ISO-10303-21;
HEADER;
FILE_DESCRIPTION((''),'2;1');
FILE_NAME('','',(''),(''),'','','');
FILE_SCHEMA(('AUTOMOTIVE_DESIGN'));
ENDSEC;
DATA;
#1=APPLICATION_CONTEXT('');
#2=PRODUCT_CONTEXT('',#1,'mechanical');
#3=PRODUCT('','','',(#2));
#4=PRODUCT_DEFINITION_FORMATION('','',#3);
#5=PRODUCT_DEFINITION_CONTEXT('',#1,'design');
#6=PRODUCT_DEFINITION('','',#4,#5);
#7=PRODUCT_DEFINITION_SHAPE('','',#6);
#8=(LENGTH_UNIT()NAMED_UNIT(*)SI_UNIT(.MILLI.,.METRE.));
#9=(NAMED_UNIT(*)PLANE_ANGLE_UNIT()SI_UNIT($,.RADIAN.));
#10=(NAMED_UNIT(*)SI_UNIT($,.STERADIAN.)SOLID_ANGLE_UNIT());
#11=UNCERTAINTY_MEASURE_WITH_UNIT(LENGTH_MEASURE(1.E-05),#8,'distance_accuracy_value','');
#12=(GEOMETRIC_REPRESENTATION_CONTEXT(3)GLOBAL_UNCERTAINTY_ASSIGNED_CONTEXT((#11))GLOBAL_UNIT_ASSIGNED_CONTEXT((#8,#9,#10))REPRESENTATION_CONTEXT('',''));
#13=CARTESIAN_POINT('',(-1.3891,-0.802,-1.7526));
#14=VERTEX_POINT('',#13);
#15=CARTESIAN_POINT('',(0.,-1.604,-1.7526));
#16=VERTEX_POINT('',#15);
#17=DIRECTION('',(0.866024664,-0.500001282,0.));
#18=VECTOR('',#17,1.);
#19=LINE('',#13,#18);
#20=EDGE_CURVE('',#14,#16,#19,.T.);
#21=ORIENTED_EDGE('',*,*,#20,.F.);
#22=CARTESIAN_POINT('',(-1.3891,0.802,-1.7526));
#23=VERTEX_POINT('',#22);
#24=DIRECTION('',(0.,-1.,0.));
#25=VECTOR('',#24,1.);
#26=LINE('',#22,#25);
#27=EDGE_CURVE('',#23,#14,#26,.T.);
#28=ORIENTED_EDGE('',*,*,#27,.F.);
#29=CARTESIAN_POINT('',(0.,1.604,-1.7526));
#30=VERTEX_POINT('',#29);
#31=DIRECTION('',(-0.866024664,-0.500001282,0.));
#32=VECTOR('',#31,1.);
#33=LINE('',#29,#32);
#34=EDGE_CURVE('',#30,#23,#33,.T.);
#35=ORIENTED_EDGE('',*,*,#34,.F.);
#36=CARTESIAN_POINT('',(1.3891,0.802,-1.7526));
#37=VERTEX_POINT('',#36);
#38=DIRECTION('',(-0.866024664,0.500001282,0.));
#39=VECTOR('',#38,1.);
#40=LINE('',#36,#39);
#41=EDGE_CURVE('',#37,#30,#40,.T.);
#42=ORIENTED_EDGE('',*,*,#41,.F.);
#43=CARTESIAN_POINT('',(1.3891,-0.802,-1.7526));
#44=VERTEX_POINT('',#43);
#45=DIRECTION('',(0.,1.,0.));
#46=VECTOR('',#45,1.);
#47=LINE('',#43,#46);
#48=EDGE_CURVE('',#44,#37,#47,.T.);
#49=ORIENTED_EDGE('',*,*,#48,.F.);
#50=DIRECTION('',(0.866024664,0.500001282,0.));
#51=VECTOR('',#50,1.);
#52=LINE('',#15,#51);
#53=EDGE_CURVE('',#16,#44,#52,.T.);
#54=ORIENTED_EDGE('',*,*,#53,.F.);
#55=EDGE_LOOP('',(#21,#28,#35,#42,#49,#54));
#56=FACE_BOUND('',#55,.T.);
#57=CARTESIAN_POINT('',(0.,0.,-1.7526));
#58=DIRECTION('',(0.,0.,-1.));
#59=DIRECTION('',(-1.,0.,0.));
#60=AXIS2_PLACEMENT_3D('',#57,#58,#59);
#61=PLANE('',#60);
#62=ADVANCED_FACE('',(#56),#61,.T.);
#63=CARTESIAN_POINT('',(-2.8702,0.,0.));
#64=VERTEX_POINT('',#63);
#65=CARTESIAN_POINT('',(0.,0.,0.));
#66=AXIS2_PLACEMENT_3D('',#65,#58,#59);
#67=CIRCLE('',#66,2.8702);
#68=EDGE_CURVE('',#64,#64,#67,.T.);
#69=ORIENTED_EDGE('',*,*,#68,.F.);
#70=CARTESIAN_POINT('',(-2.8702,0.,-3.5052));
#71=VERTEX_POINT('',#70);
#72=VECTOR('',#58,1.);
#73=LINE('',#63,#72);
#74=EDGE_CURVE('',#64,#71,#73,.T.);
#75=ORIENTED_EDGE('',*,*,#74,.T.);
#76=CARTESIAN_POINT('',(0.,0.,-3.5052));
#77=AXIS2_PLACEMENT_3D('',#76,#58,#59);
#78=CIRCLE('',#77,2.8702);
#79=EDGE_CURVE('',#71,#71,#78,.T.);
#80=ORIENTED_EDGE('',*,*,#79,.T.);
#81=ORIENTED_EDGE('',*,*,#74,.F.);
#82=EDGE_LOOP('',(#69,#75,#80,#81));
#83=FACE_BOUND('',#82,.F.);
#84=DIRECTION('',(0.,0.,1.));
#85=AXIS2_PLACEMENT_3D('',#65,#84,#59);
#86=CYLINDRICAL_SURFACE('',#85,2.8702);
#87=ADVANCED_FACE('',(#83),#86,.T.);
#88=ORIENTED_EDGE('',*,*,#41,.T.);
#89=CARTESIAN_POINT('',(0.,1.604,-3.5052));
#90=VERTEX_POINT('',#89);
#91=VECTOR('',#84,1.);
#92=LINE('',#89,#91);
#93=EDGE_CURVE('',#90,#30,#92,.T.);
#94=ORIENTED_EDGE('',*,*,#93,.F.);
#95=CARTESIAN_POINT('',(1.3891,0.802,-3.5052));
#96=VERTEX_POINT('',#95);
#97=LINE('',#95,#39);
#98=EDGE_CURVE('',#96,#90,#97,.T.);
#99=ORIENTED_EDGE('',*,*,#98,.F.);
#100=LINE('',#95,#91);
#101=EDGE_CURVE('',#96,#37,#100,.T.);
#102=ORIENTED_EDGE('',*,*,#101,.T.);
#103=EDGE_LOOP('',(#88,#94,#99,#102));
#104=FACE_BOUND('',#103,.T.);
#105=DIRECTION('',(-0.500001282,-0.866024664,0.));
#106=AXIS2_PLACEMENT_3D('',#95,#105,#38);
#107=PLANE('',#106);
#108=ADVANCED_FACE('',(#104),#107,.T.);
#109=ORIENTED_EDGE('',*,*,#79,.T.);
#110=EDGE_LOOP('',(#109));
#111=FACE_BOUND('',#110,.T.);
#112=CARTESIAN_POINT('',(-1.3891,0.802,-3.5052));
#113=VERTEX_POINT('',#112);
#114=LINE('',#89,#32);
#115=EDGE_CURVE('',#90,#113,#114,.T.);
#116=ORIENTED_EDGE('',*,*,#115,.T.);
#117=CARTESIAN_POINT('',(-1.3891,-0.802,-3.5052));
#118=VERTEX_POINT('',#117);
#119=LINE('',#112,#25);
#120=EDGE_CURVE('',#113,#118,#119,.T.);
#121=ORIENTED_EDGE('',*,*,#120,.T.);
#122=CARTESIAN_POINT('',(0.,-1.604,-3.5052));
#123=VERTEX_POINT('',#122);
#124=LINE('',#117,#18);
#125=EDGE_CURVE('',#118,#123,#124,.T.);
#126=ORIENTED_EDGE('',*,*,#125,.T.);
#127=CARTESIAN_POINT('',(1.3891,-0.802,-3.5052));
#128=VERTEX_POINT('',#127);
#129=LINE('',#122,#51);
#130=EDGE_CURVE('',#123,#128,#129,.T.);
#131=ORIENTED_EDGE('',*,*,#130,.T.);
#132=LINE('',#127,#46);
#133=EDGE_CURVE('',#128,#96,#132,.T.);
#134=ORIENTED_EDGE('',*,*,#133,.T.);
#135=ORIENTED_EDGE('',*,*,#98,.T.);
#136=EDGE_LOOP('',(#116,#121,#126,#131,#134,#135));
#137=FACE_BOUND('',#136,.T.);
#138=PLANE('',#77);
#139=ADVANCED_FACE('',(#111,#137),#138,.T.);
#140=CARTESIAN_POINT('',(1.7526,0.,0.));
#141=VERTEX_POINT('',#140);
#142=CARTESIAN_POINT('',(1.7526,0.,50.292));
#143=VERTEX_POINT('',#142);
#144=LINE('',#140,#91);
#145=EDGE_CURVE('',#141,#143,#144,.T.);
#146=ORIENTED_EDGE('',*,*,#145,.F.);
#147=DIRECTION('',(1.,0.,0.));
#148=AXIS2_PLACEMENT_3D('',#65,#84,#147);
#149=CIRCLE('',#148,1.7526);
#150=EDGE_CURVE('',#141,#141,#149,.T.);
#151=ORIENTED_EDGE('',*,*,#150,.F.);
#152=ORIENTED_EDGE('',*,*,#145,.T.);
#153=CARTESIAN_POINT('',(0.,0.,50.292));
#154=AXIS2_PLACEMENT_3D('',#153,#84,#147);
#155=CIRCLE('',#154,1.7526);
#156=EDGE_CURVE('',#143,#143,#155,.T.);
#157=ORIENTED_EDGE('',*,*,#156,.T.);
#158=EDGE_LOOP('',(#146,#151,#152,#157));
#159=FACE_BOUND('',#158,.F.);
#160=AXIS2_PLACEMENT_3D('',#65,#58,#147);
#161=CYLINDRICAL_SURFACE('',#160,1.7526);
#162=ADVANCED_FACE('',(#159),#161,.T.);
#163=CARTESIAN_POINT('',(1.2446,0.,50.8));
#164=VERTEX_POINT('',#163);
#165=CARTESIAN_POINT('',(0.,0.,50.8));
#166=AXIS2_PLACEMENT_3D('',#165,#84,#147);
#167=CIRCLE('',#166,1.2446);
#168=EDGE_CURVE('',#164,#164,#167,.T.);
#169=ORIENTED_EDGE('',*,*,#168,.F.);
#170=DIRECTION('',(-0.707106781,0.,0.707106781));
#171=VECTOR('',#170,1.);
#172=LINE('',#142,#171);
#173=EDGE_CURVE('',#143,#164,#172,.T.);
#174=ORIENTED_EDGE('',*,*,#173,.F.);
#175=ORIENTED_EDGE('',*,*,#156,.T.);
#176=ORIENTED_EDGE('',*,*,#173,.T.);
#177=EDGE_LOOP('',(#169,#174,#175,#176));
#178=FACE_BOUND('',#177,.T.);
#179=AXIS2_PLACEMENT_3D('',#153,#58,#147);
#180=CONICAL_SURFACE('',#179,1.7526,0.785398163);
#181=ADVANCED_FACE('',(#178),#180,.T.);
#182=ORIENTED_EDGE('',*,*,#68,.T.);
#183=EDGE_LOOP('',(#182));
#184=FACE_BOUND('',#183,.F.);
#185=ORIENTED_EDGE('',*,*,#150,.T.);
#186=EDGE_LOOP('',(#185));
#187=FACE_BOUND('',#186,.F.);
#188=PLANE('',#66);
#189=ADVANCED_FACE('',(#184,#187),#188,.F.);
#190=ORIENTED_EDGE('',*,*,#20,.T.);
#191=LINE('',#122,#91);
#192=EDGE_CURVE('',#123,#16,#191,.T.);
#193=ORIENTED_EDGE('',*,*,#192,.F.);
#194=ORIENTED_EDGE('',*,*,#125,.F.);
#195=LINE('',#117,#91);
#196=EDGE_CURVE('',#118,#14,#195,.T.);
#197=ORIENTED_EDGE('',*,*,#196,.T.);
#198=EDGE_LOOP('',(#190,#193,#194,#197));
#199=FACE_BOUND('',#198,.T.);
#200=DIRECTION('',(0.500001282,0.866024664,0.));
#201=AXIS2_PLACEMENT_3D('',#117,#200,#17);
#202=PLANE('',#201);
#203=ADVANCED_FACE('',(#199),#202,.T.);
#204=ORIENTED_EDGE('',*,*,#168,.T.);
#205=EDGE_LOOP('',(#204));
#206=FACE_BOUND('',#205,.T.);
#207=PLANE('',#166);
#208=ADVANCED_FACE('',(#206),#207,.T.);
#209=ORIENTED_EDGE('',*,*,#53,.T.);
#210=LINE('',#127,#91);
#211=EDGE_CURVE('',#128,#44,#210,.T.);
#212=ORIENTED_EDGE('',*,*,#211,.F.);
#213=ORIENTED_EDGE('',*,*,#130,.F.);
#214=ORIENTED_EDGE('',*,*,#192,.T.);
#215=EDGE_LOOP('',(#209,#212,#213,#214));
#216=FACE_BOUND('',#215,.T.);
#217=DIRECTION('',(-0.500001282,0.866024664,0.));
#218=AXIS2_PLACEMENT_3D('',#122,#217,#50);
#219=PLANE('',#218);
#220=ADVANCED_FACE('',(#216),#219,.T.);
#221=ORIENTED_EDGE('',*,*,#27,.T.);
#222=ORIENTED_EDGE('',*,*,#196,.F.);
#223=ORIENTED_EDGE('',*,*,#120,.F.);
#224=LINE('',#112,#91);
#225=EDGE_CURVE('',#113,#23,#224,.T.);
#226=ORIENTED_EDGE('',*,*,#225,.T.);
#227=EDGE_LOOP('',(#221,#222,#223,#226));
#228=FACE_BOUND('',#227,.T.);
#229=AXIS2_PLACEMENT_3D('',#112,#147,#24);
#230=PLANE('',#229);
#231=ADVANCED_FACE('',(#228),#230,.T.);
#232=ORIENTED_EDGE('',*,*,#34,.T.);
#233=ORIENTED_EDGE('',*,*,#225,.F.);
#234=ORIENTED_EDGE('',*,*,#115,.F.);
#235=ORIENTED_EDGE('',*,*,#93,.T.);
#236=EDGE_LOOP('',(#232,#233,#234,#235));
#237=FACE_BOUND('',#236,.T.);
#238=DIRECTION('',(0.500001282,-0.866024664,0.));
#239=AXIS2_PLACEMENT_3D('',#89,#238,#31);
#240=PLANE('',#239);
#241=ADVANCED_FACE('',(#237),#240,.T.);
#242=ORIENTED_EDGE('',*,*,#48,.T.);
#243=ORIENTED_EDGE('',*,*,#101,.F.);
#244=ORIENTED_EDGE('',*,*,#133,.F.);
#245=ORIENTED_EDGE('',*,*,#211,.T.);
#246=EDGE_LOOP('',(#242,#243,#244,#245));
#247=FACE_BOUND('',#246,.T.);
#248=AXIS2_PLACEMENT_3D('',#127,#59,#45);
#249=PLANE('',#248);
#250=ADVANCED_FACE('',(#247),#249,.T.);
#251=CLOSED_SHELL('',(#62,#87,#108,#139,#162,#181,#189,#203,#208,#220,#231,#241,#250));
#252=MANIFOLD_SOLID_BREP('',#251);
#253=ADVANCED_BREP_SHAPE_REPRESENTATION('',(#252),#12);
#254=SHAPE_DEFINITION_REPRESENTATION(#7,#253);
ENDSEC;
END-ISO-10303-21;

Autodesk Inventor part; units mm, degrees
ref_plane "YZ Plane" through (0, 0, 0) normal (1, 0, 0) x (0, 1, 0)
ref_plane "XZ Plane" through (0, 0, 0) normal (0, 1, 0) x (-1, 0, 0)
ref_plane "XY Plane" through (0, 0, 0) normal (0, 0, 1) x (1, 0, 0)
sketch "Sketch1" plane through (0, 0, 0) normal (0, 0, 1) x (1, 0, 0)
  circle A0 centre (0, 0) radius 1.7526
  dimension "d0" = 3.5052
extrude "Extrusion1" add sketch "Sketch1" along normal blind 50.8
sketch "Sketch2" plane through (0, 0, 0) normal (0, 0, -1) x (-1, 0, 0)
  circle A0 centre (0, 0) radius 1.7526 construction
  circle A1 centre (0, 0) radius 2.8702
  dimension "d3" = 5.7404
extrude "Extrusion2" add sketch "Sketch2" along normal blind 3.5052
sketch "Sketch3" plane through (0, 0, -3.5052) normal (0, 0, -1) x (-1, 0, 0)
  circle A0 centre (0, 0) radius 2.8702 projected
  line L0 (0, 1.604) -> (1.3891, 0.802)
  line L1 (1.3891, 0.802) -> (1.3891, -0.802)
  line L2 (1.3891, -0.802) -> (0, -1.604)
  line L3 (0, -1.604) -> (-1.3891, -0.802)
  line L4 (-1.3891, -0.802) -> (-1.3891, 0.802)
  line L5 (-1.3891, 0.802) -> (0, 1.604)
  dimension "d6" = 2.7781
extrude "Extrusion3" cut sketch "Sketch3" against normal blind 1.7526 contours L0 L1 L2 L3 L4 L5
chamfer "Chamfer1" distance 0.508 angle 45 1 edges at (-1.7526, 0, 50.8)
thread "Thread2" size "6-32 UNC" class "2A" standard "ANSI Unified Screw Threads" length 25.4
properties part number "6-32 SHCS x500" material "Stainless Steel"
